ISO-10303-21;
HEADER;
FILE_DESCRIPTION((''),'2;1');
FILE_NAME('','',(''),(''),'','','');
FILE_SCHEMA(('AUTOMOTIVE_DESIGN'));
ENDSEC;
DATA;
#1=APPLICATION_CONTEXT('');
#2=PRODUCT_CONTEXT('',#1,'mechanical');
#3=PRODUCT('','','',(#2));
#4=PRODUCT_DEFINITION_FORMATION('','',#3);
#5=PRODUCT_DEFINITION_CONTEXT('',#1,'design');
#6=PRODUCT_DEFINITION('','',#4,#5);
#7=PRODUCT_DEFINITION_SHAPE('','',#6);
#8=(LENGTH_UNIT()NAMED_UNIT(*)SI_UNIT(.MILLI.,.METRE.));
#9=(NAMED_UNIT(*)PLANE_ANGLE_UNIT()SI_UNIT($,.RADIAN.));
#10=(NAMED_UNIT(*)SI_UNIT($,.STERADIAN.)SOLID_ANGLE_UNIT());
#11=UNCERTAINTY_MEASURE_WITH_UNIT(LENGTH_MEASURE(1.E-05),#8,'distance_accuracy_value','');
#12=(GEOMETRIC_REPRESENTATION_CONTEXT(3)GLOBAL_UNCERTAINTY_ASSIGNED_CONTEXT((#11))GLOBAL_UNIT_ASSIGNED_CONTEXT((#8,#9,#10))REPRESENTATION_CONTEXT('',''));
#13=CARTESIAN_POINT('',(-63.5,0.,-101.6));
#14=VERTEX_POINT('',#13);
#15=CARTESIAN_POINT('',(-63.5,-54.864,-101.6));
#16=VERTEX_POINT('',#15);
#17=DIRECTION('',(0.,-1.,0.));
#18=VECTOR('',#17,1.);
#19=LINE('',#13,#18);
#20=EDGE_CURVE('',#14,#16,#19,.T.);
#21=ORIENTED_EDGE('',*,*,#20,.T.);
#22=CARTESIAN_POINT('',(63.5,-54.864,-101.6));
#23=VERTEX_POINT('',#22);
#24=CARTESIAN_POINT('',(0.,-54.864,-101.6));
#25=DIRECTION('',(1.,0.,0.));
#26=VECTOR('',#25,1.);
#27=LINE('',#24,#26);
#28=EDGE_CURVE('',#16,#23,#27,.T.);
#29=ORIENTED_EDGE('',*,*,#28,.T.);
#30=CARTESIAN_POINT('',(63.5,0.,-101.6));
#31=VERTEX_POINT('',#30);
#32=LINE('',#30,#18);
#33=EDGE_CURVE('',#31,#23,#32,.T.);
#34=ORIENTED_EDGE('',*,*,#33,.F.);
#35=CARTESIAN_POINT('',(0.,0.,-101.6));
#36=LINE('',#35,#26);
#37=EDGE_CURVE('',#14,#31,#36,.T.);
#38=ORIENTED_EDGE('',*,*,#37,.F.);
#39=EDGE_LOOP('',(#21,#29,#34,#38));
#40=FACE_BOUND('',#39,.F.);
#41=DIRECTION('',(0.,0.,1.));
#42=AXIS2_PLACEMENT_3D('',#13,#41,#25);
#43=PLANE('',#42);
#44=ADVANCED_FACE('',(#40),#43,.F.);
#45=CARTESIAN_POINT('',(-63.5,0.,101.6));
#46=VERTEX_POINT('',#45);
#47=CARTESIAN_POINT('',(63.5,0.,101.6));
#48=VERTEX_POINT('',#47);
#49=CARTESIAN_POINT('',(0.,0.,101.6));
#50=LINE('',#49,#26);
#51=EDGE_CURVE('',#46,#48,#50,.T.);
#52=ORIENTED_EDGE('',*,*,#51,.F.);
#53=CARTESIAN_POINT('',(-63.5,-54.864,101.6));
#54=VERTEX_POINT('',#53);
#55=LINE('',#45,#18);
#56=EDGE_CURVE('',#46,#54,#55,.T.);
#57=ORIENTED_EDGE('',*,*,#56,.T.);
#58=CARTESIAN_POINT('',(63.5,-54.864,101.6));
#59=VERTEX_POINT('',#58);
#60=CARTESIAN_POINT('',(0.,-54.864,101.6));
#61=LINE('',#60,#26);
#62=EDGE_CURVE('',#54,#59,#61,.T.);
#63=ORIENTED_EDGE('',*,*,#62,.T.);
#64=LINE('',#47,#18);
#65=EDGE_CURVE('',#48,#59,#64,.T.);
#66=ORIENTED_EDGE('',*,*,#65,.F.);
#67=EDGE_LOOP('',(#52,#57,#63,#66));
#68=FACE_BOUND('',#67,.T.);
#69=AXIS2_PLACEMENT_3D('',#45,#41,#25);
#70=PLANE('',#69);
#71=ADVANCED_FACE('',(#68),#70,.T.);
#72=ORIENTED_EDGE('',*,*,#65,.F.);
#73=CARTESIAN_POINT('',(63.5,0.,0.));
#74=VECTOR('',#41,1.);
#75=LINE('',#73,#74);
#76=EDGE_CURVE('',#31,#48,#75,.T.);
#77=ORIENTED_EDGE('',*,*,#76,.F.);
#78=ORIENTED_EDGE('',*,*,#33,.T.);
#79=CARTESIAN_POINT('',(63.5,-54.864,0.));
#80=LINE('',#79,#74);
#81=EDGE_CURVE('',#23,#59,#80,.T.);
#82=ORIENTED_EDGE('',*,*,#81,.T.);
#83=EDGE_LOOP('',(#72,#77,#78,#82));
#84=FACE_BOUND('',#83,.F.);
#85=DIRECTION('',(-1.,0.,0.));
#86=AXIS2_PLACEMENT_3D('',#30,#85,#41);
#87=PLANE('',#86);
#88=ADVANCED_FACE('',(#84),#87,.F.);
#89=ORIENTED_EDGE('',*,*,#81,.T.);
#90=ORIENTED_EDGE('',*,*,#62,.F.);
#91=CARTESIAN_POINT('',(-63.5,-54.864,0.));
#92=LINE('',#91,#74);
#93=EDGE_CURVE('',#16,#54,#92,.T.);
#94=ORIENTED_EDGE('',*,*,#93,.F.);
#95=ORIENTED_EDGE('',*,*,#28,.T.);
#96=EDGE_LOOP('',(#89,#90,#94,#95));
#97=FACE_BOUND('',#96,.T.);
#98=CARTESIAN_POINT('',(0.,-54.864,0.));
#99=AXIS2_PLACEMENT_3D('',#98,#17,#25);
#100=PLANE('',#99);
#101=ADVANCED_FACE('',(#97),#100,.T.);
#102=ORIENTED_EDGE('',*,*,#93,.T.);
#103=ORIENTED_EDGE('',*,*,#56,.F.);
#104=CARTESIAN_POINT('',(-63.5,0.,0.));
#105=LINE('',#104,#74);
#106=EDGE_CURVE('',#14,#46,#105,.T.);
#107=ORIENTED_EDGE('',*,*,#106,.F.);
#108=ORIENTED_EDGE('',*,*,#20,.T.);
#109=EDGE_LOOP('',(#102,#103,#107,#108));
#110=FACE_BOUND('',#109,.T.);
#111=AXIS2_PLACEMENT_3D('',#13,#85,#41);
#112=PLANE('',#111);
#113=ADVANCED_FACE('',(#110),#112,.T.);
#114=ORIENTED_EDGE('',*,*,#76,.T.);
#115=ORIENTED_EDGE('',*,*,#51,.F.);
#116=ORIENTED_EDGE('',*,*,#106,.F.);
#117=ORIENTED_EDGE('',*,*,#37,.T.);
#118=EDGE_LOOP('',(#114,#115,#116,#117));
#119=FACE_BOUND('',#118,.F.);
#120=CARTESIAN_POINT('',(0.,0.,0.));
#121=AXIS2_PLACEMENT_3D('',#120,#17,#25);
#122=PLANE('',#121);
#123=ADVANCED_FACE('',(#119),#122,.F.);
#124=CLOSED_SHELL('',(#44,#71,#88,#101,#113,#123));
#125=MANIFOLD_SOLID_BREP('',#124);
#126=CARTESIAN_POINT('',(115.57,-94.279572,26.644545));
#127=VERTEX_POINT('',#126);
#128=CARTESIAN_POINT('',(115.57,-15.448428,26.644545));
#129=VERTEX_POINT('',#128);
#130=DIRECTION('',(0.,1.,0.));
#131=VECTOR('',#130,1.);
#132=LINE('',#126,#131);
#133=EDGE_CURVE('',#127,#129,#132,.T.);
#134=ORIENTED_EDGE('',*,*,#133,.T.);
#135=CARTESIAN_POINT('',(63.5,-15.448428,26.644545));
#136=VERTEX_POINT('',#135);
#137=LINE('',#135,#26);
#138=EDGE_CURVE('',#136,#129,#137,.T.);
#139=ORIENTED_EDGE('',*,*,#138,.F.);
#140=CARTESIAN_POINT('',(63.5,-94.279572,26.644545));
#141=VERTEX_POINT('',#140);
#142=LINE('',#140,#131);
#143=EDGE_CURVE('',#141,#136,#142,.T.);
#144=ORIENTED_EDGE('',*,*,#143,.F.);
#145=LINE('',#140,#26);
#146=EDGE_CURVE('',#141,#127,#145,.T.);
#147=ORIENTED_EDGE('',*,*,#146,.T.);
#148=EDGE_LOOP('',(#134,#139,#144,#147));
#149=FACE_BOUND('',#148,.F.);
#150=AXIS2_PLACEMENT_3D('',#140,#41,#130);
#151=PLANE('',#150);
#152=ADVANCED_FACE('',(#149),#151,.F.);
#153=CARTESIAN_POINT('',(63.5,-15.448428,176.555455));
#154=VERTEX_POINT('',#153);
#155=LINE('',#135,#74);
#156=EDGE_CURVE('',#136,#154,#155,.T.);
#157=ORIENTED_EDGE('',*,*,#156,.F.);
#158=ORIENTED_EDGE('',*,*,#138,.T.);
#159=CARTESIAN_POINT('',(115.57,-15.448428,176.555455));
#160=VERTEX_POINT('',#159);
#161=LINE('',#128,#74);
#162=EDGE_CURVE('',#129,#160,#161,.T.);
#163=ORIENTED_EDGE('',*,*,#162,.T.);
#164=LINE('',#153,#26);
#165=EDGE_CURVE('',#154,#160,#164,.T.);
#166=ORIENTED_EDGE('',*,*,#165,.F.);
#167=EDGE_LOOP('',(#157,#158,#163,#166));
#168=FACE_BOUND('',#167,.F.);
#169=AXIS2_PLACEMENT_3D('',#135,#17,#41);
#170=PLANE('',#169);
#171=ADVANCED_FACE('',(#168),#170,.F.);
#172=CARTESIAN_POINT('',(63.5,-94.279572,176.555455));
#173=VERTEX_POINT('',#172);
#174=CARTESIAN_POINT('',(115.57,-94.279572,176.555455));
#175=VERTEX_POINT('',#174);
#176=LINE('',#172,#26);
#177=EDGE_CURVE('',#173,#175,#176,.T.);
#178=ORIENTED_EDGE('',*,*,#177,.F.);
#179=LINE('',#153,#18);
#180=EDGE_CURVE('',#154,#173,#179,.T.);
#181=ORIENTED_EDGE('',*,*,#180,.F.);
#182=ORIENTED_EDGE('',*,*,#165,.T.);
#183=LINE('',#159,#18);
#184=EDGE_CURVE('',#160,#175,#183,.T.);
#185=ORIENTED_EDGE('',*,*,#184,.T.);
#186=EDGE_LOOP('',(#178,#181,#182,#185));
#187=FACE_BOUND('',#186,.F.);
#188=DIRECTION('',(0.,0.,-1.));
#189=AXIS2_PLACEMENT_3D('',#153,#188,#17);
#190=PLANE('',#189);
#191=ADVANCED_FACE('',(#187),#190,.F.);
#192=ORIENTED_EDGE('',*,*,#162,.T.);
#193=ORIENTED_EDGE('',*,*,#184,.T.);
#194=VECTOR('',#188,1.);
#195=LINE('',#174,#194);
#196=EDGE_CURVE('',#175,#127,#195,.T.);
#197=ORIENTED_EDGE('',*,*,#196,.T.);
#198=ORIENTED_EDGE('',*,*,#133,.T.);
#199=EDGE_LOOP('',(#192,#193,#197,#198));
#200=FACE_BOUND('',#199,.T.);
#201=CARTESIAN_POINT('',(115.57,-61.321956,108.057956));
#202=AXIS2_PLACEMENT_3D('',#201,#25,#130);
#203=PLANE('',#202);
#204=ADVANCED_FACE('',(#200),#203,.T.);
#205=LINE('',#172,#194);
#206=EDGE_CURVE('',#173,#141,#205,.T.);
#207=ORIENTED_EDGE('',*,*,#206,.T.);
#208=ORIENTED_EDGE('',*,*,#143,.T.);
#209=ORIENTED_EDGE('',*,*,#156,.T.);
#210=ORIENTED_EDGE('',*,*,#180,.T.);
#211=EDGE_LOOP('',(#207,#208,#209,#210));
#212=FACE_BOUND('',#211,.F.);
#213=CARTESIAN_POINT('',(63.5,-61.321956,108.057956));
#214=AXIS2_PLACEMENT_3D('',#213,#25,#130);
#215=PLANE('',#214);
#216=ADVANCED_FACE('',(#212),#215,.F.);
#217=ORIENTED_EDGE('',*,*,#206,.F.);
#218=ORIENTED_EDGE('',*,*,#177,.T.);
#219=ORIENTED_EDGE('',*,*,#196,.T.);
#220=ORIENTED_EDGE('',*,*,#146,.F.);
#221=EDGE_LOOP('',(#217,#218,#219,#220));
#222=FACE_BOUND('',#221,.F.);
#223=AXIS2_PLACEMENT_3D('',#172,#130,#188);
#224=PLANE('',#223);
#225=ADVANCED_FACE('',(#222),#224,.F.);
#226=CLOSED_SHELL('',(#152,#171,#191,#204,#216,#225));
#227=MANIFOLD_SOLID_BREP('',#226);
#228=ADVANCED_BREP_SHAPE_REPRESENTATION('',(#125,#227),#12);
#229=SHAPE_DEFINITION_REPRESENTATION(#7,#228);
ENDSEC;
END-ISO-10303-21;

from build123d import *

# Parameters (mm, degrees)
F0_W     = 127
F0_H     = 203.2
F1_DEPTH = 54.864
F2_W     = 39.4155723677
F2_H     = 74.955454731
F3_DEPTH = 52.07


with BuildPart() as f1:
    # F0 (on Front) → F1 (new body)
    with BuildSketch(Plane.XZ):
        Rectangle(F0_W, F0_H)
    extrude(amount=F1_DEPTH)


with BuildPart() as f3:
    # F2 (on face) → F3 (new body)
    with BuildSketch(Plane.YZ.offset(63.5)):
        Polygon((-15.4484276323, 176.555454731), (-94.2795723677, 176.555454731), (-94.2795723677, 26.644545269), (-54.864, 26.644545269), (-54.864, 101.6), (-15.4484276323, 101.6), align=None)
        with Locations((-35.1562138162, 64.1222726345)):
            Rectangle(F2_W, F2_H)
    extrude(amount=F3_DEPTH)


solid = Compound([f1.part, f3.part])
